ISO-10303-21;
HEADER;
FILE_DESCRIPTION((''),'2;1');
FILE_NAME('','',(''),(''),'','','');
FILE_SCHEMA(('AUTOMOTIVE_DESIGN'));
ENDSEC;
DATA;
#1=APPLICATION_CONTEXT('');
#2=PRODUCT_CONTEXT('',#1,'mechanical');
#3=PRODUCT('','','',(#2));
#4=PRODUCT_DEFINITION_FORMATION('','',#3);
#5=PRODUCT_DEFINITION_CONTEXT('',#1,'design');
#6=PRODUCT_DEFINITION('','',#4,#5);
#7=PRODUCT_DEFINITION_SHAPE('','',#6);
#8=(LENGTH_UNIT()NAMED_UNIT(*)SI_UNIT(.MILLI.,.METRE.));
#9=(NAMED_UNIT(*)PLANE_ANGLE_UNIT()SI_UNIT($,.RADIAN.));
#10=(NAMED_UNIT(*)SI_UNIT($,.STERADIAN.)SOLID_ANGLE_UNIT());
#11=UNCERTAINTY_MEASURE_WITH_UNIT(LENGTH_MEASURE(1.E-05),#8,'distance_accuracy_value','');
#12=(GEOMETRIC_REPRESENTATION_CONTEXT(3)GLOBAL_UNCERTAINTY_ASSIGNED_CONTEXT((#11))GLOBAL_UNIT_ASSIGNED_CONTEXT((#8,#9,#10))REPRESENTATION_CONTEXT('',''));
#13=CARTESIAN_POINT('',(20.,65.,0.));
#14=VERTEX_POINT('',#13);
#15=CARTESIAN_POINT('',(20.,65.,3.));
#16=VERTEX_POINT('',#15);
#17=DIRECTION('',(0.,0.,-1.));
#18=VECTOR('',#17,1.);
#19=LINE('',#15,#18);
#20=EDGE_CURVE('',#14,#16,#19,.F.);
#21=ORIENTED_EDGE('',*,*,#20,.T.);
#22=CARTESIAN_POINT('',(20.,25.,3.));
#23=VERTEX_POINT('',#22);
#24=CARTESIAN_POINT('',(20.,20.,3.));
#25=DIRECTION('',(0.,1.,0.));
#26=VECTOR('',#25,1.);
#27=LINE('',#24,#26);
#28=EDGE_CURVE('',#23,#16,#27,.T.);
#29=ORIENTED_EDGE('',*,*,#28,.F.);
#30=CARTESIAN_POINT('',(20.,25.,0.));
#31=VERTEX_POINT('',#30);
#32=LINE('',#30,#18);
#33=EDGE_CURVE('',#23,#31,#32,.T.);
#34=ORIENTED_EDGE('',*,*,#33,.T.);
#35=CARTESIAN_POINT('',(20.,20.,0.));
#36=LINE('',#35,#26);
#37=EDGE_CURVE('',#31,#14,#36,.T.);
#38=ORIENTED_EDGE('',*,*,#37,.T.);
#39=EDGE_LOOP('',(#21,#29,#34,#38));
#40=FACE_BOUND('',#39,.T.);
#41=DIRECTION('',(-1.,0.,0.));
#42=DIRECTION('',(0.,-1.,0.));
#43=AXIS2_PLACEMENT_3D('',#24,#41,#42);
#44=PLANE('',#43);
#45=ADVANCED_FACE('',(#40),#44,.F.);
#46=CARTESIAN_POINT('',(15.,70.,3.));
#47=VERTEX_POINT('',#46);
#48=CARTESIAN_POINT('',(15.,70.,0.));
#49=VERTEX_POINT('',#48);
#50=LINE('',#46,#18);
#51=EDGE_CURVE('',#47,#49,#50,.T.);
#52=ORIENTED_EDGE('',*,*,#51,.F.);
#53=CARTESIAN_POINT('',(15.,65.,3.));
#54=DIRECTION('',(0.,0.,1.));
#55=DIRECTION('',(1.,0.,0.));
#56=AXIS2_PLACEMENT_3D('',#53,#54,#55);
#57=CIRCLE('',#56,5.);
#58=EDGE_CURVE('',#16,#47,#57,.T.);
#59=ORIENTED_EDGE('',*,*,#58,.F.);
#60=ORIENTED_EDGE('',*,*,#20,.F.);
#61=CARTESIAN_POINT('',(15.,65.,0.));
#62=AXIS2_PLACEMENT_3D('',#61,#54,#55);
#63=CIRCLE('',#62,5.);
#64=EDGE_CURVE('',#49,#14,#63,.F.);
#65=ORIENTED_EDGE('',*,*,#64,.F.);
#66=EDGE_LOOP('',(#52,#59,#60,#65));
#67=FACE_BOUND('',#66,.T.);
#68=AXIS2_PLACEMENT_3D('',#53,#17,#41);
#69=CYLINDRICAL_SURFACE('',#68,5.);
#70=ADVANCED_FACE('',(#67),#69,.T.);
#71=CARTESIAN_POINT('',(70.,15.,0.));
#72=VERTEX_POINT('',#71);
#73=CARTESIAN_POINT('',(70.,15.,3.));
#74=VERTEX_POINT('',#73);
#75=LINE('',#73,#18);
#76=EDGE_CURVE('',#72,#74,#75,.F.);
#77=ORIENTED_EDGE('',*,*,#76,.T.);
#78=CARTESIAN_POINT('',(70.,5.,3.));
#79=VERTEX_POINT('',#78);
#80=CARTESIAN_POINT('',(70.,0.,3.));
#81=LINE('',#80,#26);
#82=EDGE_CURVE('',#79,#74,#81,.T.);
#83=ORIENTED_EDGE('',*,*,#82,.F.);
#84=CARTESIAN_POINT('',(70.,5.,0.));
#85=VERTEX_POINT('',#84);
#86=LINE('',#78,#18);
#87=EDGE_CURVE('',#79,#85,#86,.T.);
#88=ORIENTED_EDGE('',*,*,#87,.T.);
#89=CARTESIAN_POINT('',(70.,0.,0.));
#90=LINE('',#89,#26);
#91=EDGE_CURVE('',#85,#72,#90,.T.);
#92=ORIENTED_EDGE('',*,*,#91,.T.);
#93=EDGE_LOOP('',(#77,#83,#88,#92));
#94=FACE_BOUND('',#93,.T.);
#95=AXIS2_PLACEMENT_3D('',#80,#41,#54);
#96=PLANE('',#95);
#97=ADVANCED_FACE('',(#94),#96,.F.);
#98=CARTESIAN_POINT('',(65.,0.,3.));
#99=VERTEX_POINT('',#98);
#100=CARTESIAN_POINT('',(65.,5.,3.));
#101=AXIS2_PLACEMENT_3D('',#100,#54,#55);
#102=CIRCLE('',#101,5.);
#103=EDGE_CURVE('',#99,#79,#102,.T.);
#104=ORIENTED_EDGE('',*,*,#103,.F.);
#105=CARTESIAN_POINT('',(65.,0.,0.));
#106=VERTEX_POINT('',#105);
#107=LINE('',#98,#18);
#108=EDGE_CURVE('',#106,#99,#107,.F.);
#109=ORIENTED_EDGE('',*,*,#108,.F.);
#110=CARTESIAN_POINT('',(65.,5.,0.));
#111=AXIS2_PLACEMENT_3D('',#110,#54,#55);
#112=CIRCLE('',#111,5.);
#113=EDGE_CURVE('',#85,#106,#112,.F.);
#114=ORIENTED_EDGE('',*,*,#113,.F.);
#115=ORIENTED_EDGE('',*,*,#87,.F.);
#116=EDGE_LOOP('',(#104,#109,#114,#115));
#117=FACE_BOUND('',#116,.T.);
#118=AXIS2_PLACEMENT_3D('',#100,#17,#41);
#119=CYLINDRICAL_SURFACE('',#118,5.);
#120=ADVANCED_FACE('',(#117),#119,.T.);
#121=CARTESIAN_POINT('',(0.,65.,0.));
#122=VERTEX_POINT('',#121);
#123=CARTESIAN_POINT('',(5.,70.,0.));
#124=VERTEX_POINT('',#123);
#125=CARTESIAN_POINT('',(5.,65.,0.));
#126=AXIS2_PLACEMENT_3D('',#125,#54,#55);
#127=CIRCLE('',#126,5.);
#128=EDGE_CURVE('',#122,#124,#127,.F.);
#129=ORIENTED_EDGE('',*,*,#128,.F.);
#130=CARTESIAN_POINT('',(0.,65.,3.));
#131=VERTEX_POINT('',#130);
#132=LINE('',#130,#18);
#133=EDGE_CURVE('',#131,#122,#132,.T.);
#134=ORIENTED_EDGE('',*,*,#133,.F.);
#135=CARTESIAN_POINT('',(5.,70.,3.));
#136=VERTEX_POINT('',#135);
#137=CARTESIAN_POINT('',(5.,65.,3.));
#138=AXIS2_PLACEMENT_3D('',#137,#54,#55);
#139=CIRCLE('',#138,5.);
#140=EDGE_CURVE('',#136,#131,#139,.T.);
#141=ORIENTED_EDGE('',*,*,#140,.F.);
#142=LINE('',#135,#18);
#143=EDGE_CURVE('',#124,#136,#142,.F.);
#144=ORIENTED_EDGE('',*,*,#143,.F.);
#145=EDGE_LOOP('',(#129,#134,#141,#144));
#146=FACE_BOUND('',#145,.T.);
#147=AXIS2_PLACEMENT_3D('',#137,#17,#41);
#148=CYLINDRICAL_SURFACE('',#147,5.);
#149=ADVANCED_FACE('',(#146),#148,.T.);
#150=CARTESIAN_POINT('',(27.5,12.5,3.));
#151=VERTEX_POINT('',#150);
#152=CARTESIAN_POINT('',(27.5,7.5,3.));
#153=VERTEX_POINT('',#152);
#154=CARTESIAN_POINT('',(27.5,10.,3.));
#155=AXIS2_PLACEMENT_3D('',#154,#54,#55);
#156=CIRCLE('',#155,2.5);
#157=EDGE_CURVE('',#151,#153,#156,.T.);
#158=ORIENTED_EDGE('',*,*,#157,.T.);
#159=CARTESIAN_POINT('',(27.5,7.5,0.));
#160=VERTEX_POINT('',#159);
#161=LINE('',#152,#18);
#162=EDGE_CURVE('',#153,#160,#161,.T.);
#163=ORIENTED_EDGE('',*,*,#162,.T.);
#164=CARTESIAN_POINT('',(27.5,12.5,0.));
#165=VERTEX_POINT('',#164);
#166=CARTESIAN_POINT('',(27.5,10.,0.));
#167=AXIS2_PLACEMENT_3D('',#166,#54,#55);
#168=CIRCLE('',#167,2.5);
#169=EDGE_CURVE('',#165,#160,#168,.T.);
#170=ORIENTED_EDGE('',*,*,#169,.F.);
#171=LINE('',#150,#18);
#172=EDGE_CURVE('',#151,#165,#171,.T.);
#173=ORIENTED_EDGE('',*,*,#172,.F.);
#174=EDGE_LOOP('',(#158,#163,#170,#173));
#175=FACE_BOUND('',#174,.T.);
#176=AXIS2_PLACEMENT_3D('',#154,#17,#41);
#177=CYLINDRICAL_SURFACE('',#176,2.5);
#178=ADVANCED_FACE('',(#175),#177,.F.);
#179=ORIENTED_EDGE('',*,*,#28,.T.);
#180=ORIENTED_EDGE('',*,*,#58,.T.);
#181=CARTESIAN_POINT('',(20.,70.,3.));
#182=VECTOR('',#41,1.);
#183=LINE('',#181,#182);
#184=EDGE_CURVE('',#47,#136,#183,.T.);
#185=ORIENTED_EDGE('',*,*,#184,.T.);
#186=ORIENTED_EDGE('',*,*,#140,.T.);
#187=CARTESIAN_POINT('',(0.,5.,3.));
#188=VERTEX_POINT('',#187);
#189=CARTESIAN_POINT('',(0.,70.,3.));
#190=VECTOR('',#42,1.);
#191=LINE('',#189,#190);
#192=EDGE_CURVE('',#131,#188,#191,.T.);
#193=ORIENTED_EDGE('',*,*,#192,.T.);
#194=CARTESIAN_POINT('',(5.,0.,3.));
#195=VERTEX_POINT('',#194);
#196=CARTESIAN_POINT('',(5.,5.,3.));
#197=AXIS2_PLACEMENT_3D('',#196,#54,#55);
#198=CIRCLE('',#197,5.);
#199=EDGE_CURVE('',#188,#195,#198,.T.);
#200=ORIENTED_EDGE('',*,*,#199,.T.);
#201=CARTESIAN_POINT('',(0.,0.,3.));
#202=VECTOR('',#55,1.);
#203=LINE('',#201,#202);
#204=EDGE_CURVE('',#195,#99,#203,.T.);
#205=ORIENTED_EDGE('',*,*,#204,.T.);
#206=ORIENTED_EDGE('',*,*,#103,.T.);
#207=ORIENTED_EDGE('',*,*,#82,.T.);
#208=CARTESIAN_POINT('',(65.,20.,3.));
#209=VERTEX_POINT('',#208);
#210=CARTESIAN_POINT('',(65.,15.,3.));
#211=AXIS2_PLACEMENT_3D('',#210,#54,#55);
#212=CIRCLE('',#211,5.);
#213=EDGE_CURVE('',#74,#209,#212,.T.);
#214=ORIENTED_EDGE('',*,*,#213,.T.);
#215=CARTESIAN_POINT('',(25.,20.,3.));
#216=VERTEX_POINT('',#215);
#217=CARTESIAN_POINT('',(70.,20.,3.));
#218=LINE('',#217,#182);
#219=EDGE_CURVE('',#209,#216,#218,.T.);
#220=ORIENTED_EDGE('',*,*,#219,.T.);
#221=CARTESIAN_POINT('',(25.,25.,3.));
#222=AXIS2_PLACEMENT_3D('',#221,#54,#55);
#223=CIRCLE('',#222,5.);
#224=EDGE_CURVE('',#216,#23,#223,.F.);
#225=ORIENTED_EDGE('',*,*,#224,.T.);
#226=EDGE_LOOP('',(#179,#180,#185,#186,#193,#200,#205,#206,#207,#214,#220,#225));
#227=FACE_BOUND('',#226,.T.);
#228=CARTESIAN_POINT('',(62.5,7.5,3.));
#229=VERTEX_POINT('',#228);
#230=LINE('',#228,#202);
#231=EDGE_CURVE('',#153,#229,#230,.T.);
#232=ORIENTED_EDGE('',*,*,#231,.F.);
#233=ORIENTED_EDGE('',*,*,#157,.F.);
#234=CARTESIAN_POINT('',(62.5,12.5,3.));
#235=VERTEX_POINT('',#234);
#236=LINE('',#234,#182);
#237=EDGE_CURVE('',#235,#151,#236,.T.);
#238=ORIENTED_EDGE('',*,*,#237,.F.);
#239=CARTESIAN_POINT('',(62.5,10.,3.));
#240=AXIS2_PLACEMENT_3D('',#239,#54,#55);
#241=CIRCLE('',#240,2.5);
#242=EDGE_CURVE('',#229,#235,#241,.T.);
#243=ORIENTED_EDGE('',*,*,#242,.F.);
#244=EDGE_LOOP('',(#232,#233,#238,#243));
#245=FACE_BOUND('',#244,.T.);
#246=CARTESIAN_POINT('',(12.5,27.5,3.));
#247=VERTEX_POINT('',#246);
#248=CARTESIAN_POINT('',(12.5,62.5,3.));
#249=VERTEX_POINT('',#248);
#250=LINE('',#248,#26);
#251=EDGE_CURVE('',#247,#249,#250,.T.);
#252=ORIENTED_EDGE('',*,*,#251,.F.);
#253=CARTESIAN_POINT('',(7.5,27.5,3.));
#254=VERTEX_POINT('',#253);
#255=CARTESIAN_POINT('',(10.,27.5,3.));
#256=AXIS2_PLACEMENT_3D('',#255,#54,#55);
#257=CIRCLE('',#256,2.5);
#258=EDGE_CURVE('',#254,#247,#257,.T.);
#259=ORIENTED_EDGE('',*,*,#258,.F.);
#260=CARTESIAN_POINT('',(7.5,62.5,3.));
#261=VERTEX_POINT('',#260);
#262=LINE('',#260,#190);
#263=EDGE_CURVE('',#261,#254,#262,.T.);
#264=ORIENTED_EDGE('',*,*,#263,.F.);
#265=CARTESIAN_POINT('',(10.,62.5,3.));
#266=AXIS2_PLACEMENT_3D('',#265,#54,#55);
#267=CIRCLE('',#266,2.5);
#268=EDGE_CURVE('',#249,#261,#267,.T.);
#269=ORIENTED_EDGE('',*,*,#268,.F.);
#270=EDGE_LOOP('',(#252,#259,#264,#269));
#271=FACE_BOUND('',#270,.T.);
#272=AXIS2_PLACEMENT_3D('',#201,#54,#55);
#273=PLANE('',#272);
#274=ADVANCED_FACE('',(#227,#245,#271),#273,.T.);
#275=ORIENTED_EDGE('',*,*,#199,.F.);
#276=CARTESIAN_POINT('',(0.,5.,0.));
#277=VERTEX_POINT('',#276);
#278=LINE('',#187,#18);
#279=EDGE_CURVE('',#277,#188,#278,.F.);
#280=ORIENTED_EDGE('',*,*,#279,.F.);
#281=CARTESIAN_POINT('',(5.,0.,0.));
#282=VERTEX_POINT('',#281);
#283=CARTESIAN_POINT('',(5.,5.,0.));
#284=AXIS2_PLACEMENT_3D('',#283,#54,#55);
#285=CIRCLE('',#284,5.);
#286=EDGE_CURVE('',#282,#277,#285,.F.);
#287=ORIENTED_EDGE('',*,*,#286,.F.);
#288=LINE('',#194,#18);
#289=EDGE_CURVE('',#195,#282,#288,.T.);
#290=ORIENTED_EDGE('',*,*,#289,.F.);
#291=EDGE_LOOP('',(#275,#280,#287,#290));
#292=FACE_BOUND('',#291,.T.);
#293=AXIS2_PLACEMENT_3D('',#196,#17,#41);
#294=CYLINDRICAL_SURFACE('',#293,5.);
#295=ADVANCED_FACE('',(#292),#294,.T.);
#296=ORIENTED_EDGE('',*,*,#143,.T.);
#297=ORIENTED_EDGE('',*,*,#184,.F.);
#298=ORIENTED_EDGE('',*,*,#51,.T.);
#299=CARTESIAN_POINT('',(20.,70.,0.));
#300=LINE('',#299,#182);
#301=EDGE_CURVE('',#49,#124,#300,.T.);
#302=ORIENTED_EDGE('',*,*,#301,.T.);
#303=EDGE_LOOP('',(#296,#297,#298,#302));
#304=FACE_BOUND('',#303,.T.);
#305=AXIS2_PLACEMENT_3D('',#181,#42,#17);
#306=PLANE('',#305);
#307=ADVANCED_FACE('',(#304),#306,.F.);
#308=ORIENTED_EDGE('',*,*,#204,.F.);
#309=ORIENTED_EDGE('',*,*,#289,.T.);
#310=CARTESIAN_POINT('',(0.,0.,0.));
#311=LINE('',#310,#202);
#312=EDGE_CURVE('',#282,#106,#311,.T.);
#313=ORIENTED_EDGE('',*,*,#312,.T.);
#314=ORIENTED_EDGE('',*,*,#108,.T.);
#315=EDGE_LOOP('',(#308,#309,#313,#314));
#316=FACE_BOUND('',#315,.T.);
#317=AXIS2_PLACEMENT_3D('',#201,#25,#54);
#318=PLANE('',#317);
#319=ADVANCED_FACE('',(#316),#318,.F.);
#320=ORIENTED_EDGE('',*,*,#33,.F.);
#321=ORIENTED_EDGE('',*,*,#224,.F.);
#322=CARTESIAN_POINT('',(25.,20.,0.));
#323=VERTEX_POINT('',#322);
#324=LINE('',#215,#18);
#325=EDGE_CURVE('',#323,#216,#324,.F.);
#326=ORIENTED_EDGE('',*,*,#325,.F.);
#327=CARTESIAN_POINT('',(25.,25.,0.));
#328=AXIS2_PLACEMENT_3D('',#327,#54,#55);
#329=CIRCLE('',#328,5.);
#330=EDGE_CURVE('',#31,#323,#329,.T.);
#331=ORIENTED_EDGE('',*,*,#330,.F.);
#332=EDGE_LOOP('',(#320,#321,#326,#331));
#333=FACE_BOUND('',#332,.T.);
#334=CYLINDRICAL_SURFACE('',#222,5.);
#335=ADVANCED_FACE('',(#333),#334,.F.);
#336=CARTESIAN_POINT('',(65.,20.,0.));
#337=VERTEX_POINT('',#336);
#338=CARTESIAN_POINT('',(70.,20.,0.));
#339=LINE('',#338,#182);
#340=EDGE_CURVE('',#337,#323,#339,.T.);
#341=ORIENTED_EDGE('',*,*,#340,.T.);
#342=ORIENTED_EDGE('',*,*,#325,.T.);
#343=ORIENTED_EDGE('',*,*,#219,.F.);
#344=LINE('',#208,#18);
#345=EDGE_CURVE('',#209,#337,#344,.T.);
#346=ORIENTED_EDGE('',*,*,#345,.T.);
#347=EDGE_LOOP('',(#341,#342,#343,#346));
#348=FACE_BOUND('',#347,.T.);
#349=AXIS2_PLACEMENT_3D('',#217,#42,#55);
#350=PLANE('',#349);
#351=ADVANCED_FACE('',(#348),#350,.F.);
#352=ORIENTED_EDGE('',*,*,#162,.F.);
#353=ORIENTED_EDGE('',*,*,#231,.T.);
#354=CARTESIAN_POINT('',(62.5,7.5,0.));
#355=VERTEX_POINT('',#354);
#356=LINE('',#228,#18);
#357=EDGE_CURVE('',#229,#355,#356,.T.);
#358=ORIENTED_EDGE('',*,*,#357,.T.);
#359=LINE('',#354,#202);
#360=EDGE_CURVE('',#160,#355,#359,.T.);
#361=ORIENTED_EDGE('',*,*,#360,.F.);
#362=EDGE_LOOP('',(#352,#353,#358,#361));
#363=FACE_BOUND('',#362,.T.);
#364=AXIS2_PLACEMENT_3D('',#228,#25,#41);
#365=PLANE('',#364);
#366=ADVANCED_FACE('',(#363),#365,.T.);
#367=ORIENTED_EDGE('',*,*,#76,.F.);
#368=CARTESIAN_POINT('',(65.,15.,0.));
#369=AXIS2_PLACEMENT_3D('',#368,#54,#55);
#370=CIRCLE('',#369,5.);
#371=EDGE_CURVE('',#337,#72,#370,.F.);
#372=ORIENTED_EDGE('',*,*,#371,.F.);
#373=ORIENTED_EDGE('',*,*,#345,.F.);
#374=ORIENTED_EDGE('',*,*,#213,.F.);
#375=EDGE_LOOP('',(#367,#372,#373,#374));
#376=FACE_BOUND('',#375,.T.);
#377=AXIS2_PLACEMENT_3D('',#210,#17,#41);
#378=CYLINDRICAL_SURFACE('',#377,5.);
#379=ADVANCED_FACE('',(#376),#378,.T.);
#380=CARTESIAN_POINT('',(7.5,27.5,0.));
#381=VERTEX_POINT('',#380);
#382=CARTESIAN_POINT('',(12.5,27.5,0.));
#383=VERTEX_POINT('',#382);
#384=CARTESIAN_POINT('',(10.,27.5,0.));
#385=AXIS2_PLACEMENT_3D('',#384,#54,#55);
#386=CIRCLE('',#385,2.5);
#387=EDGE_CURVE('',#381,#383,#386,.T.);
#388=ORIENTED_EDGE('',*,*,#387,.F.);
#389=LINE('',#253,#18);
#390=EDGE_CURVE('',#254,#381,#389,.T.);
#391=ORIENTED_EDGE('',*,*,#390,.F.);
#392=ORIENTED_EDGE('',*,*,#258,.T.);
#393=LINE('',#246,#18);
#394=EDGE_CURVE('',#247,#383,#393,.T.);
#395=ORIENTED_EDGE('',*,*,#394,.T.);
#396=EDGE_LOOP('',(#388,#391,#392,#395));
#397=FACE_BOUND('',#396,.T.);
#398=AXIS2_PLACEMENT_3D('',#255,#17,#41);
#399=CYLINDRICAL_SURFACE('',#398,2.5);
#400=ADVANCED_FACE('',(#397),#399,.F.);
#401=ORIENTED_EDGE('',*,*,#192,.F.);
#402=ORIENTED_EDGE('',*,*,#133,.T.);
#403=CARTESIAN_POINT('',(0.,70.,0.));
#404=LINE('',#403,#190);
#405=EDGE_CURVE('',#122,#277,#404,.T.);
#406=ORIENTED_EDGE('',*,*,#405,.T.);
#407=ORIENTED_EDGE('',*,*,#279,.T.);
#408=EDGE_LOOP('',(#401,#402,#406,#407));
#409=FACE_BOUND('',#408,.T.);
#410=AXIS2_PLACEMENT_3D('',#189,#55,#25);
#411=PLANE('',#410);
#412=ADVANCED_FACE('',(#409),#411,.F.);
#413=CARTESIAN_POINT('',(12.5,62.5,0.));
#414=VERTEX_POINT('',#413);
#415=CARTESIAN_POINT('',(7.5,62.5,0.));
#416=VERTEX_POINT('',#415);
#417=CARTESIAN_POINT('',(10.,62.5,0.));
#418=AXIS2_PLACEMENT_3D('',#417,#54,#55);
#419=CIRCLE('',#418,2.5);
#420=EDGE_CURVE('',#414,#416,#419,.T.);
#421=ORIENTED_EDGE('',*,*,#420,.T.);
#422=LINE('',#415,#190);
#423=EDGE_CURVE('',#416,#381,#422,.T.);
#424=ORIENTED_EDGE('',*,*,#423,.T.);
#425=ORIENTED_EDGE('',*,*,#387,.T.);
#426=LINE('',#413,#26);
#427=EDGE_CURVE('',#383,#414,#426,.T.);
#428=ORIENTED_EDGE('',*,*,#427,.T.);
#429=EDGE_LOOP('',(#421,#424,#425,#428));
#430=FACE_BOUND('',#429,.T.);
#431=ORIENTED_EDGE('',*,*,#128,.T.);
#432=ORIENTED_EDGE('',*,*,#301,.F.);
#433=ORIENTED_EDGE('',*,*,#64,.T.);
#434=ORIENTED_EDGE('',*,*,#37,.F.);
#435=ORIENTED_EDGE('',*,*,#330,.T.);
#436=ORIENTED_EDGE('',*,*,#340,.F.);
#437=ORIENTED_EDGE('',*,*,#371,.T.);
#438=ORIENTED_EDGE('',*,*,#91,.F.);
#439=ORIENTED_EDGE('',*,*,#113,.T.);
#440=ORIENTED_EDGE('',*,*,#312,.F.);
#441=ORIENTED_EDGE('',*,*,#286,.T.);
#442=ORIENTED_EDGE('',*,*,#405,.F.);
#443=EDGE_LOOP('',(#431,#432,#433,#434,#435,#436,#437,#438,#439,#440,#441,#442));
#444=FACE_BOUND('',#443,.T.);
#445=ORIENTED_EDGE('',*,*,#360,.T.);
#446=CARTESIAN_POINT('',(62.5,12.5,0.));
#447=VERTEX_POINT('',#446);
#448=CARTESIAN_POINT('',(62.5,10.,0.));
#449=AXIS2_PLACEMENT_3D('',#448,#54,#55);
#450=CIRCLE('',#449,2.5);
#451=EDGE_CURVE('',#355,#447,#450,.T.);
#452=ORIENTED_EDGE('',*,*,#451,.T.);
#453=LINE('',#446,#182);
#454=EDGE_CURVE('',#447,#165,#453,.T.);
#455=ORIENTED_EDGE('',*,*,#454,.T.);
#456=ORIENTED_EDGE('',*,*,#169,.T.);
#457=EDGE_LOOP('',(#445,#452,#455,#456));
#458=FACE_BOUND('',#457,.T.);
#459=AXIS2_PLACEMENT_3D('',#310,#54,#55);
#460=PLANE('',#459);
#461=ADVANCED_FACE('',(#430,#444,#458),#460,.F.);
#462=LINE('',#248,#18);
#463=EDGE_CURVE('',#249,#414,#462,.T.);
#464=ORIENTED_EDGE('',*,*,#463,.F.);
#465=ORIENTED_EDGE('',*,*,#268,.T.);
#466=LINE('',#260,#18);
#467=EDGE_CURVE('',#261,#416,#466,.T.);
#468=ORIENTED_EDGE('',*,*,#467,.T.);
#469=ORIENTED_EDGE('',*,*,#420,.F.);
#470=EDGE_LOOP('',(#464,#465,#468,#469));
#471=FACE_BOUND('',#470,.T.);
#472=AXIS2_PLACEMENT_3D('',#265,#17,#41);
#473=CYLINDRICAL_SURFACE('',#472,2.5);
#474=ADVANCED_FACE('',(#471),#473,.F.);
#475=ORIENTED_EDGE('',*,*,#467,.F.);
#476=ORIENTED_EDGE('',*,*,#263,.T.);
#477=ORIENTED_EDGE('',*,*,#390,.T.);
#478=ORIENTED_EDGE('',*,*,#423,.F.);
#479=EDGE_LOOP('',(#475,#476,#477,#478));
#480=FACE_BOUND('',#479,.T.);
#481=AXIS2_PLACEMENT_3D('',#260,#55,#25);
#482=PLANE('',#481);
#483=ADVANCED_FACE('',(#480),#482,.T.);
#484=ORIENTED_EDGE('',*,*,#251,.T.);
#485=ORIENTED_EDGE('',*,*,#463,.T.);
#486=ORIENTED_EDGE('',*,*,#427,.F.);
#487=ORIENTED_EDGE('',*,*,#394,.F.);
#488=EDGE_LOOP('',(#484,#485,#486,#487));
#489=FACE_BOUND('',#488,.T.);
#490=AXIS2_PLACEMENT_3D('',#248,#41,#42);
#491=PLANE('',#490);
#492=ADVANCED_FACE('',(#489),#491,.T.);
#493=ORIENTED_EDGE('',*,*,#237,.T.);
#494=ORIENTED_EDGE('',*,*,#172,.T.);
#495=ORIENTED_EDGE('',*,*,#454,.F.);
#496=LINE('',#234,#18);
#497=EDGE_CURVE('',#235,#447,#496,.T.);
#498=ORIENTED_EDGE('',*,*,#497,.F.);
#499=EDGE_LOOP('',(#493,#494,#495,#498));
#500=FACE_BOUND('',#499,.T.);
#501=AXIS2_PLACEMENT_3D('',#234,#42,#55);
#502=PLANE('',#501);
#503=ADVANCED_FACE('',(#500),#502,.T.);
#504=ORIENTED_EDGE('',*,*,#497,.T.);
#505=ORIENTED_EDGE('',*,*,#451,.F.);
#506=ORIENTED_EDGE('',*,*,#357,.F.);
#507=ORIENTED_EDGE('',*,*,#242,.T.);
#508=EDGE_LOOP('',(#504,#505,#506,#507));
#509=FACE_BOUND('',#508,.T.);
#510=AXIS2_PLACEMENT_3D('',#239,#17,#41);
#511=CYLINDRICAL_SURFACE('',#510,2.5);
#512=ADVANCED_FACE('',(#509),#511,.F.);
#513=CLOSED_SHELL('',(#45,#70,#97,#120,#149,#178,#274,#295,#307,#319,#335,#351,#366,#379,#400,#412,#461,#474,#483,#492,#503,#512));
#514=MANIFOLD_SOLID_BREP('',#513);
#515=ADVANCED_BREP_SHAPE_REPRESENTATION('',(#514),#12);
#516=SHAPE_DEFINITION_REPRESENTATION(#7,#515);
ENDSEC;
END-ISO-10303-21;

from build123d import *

# Parameters (mm, degrees)
BOSS_EXTRUDE1_DEPTH = 3
FILLET1_R           = 5


with BuildPart() as part:
    # Sketch1 → Boss-Extrude1 (new body)
    with BuildSketch(Plane.XY):
        Polygon((0, 70), (0, 0), (70, 0), (70, 20), (20, 20), (20, 70), align=None)
        with BuildLine():
            Line((12.5, 62.5), (12.5, 27.5))
            ThreePointArc((12.5, 27.5), (10, 25), (7.5, 27.5))
            Line((7.5, 27.5), (7.5, 62.5))
            ThreePointArc((7.5, 62.5), (10, 65), (12.5, 62.5))
        make_face(mode=Mode.SUBTRACT)
        with BuildLine():
            Line((62.5, 7.5), (27.5, 7.5))
            ThreePointArc((27.5, 7.5), (25, 10), (27.5, 12.5))
            Line((27.5, 12.5), (62.5, 12.5))
            ThreePointArc((62.5, 12.5), (65, 10), (62.5, 7.5))
        make_face(mode=Mode.SUBTRACT)
    extrude(amount=BOSS_EXTRUDE1_DEPTH)

    # Fillet1
    fillet1_edges = [part.edges().sort_by_distance(p)[0] for p in [
        (20, 70, 1.5),
        (20, 20, 1.5),
        (70, 20, 1.5),
        (70, 0, 1.5),
        (0, 0, 1.5),
        (0, 70, 1.5),
    ]]
    fillet(fillet1_edges, radius=FILLET1_R)


solid = part.part
